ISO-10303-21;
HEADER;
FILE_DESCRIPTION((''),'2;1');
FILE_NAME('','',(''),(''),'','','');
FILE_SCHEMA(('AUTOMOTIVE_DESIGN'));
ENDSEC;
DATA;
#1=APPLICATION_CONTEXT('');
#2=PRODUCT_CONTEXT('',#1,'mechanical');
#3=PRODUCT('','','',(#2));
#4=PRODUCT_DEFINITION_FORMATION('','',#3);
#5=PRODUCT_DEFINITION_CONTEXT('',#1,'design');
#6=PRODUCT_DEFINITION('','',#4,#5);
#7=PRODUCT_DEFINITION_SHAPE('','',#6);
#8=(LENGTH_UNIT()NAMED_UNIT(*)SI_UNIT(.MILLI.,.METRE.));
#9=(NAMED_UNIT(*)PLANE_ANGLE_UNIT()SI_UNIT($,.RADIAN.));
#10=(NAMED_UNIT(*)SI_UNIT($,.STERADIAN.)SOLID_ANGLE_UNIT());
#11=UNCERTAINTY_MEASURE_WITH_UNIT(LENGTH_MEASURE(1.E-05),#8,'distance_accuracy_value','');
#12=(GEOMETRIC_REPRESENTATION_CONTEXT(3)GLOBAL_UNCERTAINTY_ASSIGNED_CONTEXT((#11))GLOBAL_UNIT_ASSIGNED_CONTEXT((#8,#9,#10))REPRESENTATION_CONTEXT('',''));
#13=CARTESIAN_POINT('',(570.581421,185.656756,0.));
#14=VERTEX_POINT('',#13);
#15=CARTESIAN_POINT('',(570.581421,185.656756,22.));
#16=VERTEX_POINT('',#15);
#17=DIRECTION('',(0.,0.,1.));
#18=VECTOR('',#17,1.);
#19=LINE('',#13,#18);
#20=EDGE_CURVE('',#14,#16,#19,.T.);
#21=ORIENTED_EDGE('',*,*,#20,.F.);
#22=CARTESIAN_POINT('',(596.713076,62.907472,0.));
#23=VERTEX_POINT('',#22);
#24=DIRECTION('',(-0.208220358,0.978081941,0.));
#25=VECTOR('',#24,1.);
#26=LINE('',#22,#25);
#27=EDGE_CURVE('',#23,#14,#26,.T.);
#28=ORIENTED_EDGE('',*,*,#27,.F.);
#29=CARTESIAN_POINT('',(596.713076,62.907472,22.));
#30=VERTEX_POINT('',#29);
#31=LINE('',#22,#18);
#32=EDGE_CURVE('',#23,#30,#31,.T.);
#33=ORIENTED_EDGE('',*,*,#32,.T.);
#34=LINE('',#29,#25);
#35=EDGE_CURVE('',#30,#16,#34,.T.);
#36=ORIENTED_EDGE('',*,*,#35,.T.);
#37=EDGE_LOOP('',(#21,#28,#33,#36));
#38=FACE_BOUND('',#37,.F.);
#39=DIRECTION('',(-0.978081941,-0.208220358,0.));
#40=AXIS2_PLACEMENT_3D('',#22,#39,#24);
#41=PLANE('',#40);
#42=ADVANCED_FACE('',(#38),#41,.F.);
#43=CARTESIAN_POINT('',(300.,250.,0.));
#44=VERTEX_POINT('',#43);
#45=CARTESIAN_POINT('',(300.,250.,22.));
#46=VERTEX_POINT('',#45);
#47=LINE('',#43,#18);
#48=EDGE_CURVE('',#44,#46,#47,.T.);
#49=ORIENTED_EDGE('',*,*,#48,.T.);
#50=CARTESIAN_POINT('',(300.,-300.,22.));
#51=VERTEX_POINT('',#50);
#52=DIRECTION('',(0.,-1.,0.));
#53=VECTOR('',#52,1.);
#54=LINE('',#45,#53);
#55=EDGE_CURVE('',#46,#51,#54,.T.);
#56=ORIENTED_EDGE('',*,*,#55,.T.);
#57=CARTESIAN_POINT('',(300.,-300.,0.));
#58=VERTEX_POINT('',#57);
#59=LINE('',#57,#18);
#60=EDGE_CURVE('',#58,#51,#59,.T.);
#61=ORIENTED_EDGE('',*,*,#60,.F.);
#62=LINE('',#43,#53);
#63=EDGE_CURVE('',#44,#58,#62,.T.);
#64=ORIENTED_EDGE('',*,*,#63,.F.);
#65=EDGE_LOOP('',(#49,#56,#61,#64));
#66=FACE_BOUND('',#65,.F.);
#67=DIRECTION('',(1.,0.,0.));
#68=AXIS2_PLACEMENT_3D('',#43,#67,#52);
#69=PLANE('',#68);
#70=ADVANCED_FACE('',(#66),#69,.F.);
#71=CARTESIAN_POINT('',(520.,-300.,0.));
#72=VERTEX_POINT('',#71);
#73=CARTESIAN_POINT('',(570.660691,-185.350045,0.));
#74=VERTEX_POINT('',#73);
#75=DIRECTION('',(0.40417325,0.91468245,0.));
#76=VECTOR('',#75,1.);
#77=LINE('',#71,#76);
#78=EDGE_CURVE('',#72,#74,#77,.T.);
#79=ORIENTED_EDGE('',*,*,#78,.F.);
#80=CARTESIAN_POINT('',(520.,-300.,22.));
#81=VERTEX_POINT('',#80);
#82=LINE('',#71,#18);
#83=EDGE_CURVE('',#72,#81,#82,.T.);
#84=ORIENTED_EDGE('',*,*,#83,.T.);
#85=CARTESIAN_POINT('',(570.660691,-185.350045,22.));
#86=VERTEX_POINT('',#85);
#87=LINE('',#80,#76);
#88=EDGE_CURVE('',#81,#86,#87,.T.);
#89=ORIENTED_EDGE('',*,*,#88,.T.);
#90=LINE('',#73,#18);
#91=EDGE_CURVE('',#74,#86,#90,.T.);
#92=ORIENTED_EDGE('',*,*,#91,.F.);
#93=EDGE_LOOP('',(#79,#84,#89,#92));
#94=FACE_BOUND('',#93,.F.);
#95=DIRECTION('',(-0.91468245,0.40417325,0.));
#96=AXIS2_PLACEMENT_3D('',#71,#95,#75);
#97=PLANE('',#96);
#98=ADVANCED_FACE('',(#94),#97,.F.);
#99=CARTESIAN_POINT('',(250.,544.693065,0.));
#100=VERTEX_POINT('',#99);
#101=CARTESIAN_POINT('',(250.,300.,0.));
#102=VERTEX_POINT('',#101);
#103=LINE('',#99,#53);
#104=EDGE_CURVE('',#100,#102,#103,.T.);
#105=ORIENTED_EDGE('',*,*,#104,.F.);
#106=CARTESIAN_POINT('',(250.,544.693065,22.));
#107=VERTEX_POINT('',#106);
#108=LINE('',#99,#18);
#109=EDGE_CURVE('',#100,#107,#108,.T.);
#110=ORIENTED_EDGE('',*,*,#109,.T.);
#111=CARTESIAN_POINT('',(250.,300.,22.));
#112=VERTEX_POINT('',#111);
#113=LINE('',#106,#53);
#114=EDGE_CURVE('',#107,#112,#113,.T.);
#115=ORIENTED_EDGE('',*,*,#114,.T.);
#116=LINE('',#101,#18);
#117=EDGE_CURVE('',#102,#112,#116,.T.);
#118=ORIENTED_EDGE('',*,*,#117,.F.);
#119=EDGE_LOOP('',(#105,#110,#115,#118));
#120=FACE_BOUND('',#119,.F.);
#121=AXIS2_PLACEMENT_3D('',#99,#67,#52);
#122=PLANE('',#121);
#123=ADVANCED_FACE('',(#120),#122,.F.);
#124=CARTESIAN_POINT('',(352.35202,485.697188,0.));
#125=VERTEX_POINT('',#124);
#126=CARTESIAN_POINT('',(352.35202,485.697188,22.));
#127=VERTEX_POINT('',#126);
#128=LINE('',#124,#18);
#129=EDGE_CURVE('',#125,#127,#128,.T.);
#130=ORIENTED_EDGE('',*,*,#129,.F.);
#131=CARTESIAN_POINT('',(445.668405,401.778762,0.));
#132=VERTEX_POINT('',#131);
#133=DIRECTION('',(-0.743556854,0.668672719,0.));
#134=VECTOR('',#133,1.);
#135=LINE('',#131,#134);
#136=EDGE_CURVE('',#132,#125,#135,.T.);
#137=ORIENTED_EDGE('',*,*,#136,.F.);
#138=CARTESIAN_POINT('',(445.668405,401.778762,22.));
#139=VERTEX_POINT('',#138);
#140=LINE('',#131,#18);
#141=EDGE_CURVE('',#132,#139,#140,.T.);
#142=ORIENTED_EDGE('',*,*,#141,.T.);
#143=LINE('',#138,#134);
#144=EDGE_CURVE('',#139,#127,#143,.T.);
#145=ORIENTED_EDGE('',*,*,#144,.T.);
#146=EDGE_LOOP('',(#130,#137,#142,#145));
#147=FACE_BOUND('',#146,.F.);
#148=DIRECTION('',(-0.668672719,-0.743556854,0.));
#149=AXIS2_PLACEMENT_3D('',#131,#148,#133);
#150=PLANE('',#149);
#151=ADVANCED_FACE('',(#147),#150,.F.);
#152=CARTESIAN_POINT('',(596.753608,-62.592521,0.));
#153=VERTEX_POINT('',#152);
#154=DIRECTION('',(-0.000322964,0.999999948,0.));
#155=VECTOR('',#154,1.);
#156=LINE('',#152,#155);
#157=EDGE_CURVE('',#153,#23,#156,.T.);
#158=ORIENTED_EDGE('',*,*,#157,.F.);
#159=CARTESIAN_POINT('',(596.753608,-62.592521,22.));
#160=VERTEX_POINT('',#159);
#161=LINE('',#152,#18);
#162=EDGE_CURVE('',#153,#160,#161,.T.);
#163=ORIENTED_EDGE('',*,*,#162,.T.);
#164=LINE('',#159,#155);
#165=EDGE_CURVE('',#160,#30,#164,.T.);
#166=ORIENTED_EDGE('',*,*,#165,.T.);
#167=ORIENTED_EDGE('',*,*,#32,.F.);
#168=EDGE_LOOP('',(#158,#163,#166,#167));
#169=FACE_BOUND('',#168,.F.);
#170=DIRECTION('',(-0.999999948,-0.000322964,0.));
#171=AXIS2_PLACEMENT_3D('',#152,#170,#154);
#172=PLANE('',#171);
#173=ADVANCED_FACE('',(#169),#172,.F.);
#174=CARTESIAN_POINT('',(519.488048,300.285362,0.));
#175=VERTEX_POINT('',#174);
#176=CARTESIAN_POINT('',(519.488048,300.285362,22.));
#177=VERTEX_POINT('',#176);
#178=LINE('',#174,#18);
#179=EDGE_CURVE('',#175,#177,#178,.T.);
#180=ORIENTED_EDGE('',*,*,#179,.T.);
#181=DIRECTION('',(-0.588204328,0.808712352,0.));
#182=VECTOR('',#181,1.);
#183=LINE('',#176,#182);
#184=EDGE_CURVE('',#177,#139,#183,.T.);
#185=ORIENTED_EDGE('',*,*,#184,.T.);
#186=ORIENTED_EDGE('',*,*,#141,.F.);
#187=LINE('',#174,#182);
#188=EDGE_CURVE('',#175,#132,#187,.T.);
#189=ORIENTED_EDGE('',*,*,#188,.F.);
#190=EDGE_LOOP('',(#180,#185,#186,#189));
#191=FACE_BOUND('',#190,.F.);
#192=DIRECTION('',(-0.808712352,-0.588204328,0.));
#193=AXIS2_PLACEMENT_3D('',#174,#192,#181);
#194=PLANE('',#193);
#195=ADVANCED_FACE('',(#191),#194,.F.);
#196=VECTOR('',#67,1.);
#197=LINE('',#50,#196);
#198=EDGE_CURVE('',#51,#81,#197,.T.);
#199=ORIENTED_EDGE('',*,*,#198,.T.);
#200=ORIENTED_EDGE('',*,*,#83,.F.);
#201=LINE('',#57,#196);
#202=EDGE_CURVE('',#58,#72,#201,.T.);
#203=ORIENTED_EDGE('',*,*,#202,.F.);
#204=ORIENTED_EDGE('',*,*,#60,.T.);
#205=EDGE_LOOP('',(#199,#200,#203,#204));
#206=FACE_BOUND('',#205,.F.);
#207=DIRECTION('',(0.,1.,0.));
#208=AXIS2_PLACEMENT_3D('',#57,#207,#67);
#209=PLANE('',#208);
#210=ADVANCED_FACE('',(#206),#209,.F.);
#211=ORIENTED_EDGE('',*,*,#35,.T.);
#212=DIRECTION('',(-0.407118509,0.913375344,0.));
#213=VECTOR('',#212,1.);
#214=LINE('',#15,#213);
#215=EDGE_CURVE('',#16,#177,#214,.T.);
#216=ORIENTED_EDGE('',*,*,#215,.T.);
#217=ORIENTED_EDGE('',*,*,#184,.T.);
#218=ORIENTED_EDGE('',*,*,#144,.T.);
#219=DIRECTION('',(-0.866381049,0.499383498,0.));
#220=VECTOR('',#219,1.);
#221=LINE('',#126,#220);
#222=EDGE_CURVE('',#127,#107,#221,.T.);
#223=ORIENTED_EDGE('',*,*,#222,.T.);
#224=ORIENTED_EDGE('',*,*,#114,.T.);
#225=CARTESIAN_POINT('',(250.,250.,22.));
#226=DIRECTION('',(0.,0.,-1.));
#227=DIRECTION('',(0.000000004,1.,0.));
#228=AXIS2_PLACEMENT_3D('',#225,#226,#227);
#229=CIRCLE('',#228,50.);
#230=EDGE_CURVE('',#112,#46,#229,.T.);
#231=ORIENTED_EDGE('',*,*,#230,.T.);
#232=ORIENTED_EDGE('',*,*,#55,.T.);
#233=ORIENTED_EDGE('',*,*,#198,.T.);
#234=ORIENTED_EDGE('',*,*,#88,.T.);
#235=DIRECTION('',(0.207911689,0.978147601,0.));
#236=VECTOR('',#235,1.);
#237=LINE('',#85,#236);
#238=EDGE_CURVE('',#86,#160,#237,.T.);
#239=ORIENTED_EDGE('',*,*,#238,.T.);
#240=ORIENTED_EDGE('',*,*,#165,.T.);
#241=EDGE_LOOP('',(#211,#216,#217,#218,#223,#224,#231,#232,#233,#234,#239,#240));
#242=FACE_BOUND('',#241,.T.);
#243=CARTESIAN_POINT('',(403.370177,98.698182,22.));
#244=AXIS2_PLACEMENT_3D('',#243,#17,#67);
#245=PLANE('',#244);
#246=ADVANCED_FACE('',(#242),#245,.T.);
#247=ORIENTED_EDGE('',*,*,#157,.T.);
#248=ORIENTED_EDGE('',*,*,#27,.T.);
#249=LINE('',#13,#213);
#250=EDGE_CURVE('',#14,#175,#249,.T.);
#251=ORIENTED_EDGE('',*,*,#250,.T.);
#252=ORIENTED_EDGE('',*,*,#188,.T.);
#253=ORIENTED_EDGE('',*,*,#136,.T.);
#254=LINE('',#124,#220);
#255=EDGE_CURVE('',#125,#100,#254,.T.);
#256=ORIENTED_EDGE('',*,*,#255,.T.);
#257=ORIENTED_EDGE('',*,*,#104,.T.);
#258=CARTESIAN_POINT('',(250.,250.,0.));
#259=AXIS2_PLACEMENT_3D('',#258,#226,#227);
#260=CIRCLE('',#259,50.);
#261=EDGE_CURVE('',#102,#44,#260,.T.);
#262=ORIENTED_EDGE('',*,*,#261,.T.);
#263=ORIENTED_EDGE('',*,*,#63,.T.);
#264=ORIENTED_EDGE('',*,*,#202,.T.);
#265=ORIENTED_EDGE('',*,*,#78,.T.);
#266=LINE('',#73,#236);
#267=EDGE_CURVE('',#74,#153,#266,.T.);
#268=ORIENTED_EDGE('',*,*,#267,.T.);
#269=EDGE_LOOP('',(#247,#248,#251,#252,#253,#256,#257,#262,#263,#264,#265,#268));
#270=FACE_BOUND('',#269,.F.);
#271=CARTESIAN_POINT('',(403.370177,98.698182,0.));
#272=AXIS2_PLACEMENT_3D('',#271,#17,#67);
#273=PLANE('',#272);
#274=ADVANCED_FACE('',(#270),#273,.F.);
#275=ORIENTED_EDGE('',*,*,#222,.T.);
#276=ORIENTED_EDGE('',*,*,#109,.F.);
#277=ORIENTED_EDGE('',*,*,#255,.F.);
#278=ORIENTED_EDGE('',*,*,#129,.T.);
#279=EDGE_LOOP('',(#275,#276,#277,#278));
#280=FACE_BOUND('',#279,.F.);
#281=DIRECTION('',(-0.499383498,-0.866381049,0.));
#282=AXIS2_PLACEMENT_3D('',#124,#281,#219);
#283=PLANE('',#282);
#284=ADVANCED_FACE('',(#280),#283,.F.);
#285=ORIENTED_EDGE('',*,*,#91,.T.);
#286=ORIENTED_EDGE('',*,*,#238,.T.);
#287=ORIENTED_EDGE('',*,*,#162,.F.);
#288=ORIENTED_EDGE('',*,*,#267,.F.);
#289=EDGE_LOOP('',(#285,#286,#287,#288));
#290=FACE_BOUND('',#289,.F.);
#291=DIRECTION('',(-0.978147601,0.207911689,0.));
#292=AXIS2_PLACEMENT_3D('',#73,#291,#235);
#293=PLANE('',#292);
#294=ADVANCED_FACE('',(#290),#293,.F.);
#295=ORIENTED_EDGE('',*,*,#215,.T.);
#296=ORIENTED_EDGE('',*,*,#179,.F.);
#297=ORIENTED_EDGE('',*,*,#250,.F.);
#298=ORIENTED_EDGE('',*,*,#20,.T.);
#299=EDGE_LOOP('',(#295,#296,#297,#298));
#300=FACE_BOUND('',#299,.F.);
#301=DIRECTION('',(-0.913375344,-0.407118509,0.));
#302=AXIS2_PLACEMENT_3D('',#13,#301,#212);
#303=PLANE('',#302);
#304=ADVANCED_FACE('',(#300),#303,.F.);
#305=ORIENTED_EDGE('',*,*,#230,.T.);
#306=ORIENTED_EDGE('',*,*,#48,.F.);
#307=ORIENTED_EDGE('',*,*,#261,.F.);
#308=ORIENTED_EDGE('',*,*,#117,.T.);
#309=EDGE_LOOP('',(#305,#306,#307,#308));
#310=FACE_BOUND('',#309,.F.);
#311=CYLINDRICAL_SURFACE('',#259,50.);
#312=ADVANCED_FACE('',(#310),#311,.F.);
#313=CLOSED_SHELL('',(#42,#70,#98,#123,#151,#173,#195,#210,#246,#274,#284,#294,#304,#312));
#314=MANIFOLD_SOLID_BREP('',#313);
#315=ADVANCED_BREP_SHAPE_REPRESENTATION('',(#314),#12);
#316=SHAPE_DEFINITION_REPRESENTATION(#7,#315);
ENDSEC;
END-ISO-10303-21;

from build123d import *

# Parameters (mm, degrees)
F1_DEPTH = 22


with BuildPart() as f1:
    # F0 (on Top) → F1 (new body)
    with BuildSketch(Plane.XY):
        with BuildLine():
            Line((300, 250), (300, -300))
            Line((300, -300), (520, -300))
            Line((520, -300), (570.660691, -185.350045))
            Line((570.660691, -185.350045), (596.753608, -62.592521))
            Line((596.753608, -62.592521), (596.713076, 62.907472))
            Line((596.713076, 62.907472), (570.581421, 185.656756))
            Line((570.581421, 185.656756), (519.488048, 300.285362))
            Line((519.488048, 300.285362), (445.668405, 401.778762))
            Line((445.668405, 401.778762), (352.35202, 485.697188))
            Line((352.35202, 485.697188), (250, 544.693065))
            Line((250, 544.693065), (250, 300))
            ThreePointArc((250, 300), (285.355339, 285.355339), (300, 250))
        make_face()
    extrude(amount=F1_DEPTH)


solid = f1.part
